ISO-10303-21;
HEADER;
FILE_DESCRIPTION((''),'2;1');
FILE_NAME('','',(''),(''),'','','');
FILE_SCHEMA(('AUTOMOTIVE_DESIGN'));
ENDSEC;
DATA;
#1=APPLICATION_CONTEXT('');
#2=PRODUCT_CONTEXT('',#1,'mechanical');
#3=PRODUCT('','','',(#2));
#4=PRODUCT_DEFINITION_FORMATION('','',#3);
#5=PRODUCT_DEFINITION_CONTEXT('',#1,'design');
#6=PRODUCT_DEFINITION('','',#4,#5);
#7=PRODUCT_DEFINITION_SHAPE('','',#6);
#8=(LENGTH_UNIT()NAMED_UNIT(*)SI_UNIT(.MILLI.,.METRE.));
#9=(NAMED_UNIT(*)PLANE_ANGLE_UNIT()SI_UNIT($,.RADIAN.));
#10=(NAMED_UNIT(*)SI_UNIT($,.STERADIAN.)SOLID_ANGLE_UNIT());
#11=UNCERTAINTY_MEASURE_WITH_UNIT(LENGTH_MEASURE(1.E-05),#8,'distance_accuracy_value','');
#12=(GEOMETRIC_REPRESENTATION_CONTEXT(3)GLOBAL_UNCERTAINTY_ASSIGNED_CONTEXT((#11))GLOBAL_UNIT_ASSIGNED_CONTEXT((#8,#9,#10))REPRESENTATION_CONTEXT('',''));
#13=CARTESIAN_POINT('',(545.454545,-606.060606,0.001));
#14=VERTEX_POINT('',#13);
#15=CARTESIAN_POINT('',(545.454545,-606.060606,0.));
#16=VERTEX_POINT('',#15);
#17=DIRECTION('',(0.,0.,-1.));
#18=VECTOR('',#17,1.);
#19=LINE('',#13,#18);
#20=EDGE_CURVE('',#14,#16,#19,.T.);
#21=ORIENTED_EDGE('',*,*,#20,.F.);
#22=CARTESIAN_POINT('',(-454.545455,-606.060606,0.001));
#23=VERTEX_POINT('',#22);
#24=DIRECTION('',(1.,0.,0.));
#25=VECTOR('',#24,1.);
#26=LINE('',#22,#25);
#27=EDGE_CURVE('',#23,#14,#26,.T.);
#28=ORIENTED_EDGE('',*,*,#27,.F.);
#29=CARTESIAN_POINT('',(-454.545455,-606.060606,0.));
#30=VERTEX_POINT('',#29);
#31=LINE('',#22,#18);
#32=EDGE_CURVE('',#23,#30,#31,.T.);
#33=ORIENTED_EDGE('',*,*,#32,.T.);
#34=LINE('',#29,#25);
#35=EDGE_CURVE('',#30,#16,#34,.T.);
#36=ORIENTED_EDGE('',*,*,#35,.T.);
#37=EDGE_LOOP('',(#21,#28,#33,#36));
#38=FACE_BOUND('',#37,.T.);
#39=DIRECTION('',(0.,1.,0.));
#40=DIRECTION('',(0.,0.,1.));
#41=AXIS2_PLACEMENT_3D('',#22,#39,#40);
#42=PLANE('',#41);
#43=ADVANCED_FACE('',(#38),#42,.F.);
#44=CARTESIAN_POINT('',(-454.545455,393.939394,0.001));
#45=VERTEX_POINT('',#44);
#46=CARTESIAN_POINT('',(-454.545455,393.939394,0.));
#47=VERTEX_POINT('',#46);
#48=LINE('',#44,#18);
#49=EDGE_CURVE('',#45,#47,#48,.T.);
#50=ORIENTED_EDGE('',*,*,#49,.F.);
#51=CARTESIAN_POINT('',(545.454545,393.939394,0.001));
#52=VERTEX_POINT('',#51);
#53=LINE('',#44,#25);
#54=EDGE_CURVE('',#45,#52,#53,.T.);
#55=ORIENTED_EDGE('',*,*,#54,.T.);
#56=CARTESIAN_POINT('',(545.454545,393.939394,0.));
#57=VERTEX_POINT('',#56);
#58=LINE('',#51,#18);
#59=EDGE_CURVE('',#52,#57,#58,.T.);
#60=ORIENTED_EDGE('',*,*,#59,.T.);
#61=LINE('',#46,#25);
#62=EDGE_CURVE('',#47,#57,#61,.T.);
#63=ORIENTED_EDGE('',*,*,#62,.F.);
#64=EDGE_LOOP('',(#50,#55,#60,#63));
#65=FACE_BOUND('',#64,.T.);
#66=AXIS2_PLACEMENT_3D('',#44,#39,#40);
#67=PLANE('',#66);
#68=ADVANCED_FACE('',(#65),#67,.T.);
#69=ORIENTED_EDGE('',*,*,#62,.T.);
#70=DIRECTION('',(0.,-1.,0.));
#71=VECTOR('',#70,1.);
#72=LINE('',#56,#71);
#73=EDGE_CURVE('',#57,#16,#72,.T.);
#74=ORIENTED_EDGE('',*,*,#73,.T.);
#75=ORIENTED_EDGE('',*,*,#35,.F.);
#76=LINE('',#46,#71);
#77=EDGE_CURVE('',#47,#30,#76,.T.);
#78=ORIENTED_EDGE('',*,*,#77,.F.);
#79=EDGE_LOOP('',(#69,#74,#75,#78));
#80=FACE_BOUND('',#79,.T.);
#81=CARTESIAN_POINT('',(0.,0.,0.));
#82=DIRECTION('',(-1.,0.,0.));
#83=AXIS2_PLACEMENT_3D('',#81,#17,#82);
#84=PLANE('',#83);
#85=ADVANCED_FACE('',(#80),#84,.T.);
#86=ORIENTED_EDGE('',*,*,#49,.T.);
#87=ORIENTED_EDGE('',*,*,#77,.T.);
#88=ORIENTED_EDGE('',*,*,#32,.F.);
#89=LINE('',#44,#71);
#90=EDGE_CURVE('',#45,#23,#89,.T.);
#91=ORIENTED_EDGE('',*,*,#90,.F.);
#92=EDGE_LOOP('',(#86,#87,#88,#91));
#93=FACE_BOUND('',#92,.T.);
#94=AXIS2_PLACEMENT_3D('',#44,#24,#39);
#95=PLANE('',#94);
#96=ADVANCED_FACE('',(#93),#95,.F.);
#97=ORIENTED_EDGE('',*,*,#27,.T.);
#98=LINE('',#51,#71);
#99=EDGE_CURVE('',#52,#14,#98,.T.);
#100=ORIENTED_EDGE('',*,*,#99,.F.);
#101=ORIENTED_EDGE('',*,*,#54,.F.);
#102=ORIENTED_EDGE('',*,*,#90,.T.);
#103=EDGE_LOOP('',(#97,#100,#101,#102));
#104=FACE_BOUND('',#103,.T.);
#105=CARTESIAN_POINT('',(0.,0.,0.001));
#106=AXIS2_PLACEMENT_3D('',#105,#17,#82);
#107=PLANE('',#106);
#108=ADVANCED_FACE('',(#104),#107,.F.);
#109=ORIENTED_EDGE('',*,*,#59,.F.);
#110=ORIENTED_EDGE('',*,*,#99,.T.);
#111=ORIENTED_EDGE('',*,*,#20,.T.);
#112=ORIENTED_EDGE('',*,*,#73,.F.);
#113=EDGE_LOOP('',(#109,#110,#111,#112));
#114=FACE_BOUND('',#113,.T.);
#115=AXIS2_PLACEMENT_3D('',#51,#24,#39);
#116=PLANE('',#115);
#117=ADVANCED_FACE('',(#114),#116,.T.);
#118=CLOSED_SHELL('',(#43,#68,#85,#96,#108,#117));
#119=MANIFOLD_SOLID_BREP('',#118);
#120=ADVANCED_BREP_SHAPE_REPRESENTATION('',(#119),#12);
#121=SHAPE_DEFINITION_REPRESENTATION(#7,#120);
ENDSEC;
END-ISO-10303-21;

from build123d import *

# Parameters (mm, degrees)
SKETCH1_W           = 1000
SKETCH1_H           = 1000
BOSS_EXTRUDE1_DEPTH = 0.001


with BuildPart() as part:
    # Sketch1 → Boss-Extrude1 (new body)
    with BuildSketch(Plane.XY):
        with Locations((45.454545455, -106.060606061)):
            Rectangle(SKETCH1_W, SKETCH1_H)
    extrude(amount=BOSS_EXTRUDE1_DEPTH)


solid = part.part
